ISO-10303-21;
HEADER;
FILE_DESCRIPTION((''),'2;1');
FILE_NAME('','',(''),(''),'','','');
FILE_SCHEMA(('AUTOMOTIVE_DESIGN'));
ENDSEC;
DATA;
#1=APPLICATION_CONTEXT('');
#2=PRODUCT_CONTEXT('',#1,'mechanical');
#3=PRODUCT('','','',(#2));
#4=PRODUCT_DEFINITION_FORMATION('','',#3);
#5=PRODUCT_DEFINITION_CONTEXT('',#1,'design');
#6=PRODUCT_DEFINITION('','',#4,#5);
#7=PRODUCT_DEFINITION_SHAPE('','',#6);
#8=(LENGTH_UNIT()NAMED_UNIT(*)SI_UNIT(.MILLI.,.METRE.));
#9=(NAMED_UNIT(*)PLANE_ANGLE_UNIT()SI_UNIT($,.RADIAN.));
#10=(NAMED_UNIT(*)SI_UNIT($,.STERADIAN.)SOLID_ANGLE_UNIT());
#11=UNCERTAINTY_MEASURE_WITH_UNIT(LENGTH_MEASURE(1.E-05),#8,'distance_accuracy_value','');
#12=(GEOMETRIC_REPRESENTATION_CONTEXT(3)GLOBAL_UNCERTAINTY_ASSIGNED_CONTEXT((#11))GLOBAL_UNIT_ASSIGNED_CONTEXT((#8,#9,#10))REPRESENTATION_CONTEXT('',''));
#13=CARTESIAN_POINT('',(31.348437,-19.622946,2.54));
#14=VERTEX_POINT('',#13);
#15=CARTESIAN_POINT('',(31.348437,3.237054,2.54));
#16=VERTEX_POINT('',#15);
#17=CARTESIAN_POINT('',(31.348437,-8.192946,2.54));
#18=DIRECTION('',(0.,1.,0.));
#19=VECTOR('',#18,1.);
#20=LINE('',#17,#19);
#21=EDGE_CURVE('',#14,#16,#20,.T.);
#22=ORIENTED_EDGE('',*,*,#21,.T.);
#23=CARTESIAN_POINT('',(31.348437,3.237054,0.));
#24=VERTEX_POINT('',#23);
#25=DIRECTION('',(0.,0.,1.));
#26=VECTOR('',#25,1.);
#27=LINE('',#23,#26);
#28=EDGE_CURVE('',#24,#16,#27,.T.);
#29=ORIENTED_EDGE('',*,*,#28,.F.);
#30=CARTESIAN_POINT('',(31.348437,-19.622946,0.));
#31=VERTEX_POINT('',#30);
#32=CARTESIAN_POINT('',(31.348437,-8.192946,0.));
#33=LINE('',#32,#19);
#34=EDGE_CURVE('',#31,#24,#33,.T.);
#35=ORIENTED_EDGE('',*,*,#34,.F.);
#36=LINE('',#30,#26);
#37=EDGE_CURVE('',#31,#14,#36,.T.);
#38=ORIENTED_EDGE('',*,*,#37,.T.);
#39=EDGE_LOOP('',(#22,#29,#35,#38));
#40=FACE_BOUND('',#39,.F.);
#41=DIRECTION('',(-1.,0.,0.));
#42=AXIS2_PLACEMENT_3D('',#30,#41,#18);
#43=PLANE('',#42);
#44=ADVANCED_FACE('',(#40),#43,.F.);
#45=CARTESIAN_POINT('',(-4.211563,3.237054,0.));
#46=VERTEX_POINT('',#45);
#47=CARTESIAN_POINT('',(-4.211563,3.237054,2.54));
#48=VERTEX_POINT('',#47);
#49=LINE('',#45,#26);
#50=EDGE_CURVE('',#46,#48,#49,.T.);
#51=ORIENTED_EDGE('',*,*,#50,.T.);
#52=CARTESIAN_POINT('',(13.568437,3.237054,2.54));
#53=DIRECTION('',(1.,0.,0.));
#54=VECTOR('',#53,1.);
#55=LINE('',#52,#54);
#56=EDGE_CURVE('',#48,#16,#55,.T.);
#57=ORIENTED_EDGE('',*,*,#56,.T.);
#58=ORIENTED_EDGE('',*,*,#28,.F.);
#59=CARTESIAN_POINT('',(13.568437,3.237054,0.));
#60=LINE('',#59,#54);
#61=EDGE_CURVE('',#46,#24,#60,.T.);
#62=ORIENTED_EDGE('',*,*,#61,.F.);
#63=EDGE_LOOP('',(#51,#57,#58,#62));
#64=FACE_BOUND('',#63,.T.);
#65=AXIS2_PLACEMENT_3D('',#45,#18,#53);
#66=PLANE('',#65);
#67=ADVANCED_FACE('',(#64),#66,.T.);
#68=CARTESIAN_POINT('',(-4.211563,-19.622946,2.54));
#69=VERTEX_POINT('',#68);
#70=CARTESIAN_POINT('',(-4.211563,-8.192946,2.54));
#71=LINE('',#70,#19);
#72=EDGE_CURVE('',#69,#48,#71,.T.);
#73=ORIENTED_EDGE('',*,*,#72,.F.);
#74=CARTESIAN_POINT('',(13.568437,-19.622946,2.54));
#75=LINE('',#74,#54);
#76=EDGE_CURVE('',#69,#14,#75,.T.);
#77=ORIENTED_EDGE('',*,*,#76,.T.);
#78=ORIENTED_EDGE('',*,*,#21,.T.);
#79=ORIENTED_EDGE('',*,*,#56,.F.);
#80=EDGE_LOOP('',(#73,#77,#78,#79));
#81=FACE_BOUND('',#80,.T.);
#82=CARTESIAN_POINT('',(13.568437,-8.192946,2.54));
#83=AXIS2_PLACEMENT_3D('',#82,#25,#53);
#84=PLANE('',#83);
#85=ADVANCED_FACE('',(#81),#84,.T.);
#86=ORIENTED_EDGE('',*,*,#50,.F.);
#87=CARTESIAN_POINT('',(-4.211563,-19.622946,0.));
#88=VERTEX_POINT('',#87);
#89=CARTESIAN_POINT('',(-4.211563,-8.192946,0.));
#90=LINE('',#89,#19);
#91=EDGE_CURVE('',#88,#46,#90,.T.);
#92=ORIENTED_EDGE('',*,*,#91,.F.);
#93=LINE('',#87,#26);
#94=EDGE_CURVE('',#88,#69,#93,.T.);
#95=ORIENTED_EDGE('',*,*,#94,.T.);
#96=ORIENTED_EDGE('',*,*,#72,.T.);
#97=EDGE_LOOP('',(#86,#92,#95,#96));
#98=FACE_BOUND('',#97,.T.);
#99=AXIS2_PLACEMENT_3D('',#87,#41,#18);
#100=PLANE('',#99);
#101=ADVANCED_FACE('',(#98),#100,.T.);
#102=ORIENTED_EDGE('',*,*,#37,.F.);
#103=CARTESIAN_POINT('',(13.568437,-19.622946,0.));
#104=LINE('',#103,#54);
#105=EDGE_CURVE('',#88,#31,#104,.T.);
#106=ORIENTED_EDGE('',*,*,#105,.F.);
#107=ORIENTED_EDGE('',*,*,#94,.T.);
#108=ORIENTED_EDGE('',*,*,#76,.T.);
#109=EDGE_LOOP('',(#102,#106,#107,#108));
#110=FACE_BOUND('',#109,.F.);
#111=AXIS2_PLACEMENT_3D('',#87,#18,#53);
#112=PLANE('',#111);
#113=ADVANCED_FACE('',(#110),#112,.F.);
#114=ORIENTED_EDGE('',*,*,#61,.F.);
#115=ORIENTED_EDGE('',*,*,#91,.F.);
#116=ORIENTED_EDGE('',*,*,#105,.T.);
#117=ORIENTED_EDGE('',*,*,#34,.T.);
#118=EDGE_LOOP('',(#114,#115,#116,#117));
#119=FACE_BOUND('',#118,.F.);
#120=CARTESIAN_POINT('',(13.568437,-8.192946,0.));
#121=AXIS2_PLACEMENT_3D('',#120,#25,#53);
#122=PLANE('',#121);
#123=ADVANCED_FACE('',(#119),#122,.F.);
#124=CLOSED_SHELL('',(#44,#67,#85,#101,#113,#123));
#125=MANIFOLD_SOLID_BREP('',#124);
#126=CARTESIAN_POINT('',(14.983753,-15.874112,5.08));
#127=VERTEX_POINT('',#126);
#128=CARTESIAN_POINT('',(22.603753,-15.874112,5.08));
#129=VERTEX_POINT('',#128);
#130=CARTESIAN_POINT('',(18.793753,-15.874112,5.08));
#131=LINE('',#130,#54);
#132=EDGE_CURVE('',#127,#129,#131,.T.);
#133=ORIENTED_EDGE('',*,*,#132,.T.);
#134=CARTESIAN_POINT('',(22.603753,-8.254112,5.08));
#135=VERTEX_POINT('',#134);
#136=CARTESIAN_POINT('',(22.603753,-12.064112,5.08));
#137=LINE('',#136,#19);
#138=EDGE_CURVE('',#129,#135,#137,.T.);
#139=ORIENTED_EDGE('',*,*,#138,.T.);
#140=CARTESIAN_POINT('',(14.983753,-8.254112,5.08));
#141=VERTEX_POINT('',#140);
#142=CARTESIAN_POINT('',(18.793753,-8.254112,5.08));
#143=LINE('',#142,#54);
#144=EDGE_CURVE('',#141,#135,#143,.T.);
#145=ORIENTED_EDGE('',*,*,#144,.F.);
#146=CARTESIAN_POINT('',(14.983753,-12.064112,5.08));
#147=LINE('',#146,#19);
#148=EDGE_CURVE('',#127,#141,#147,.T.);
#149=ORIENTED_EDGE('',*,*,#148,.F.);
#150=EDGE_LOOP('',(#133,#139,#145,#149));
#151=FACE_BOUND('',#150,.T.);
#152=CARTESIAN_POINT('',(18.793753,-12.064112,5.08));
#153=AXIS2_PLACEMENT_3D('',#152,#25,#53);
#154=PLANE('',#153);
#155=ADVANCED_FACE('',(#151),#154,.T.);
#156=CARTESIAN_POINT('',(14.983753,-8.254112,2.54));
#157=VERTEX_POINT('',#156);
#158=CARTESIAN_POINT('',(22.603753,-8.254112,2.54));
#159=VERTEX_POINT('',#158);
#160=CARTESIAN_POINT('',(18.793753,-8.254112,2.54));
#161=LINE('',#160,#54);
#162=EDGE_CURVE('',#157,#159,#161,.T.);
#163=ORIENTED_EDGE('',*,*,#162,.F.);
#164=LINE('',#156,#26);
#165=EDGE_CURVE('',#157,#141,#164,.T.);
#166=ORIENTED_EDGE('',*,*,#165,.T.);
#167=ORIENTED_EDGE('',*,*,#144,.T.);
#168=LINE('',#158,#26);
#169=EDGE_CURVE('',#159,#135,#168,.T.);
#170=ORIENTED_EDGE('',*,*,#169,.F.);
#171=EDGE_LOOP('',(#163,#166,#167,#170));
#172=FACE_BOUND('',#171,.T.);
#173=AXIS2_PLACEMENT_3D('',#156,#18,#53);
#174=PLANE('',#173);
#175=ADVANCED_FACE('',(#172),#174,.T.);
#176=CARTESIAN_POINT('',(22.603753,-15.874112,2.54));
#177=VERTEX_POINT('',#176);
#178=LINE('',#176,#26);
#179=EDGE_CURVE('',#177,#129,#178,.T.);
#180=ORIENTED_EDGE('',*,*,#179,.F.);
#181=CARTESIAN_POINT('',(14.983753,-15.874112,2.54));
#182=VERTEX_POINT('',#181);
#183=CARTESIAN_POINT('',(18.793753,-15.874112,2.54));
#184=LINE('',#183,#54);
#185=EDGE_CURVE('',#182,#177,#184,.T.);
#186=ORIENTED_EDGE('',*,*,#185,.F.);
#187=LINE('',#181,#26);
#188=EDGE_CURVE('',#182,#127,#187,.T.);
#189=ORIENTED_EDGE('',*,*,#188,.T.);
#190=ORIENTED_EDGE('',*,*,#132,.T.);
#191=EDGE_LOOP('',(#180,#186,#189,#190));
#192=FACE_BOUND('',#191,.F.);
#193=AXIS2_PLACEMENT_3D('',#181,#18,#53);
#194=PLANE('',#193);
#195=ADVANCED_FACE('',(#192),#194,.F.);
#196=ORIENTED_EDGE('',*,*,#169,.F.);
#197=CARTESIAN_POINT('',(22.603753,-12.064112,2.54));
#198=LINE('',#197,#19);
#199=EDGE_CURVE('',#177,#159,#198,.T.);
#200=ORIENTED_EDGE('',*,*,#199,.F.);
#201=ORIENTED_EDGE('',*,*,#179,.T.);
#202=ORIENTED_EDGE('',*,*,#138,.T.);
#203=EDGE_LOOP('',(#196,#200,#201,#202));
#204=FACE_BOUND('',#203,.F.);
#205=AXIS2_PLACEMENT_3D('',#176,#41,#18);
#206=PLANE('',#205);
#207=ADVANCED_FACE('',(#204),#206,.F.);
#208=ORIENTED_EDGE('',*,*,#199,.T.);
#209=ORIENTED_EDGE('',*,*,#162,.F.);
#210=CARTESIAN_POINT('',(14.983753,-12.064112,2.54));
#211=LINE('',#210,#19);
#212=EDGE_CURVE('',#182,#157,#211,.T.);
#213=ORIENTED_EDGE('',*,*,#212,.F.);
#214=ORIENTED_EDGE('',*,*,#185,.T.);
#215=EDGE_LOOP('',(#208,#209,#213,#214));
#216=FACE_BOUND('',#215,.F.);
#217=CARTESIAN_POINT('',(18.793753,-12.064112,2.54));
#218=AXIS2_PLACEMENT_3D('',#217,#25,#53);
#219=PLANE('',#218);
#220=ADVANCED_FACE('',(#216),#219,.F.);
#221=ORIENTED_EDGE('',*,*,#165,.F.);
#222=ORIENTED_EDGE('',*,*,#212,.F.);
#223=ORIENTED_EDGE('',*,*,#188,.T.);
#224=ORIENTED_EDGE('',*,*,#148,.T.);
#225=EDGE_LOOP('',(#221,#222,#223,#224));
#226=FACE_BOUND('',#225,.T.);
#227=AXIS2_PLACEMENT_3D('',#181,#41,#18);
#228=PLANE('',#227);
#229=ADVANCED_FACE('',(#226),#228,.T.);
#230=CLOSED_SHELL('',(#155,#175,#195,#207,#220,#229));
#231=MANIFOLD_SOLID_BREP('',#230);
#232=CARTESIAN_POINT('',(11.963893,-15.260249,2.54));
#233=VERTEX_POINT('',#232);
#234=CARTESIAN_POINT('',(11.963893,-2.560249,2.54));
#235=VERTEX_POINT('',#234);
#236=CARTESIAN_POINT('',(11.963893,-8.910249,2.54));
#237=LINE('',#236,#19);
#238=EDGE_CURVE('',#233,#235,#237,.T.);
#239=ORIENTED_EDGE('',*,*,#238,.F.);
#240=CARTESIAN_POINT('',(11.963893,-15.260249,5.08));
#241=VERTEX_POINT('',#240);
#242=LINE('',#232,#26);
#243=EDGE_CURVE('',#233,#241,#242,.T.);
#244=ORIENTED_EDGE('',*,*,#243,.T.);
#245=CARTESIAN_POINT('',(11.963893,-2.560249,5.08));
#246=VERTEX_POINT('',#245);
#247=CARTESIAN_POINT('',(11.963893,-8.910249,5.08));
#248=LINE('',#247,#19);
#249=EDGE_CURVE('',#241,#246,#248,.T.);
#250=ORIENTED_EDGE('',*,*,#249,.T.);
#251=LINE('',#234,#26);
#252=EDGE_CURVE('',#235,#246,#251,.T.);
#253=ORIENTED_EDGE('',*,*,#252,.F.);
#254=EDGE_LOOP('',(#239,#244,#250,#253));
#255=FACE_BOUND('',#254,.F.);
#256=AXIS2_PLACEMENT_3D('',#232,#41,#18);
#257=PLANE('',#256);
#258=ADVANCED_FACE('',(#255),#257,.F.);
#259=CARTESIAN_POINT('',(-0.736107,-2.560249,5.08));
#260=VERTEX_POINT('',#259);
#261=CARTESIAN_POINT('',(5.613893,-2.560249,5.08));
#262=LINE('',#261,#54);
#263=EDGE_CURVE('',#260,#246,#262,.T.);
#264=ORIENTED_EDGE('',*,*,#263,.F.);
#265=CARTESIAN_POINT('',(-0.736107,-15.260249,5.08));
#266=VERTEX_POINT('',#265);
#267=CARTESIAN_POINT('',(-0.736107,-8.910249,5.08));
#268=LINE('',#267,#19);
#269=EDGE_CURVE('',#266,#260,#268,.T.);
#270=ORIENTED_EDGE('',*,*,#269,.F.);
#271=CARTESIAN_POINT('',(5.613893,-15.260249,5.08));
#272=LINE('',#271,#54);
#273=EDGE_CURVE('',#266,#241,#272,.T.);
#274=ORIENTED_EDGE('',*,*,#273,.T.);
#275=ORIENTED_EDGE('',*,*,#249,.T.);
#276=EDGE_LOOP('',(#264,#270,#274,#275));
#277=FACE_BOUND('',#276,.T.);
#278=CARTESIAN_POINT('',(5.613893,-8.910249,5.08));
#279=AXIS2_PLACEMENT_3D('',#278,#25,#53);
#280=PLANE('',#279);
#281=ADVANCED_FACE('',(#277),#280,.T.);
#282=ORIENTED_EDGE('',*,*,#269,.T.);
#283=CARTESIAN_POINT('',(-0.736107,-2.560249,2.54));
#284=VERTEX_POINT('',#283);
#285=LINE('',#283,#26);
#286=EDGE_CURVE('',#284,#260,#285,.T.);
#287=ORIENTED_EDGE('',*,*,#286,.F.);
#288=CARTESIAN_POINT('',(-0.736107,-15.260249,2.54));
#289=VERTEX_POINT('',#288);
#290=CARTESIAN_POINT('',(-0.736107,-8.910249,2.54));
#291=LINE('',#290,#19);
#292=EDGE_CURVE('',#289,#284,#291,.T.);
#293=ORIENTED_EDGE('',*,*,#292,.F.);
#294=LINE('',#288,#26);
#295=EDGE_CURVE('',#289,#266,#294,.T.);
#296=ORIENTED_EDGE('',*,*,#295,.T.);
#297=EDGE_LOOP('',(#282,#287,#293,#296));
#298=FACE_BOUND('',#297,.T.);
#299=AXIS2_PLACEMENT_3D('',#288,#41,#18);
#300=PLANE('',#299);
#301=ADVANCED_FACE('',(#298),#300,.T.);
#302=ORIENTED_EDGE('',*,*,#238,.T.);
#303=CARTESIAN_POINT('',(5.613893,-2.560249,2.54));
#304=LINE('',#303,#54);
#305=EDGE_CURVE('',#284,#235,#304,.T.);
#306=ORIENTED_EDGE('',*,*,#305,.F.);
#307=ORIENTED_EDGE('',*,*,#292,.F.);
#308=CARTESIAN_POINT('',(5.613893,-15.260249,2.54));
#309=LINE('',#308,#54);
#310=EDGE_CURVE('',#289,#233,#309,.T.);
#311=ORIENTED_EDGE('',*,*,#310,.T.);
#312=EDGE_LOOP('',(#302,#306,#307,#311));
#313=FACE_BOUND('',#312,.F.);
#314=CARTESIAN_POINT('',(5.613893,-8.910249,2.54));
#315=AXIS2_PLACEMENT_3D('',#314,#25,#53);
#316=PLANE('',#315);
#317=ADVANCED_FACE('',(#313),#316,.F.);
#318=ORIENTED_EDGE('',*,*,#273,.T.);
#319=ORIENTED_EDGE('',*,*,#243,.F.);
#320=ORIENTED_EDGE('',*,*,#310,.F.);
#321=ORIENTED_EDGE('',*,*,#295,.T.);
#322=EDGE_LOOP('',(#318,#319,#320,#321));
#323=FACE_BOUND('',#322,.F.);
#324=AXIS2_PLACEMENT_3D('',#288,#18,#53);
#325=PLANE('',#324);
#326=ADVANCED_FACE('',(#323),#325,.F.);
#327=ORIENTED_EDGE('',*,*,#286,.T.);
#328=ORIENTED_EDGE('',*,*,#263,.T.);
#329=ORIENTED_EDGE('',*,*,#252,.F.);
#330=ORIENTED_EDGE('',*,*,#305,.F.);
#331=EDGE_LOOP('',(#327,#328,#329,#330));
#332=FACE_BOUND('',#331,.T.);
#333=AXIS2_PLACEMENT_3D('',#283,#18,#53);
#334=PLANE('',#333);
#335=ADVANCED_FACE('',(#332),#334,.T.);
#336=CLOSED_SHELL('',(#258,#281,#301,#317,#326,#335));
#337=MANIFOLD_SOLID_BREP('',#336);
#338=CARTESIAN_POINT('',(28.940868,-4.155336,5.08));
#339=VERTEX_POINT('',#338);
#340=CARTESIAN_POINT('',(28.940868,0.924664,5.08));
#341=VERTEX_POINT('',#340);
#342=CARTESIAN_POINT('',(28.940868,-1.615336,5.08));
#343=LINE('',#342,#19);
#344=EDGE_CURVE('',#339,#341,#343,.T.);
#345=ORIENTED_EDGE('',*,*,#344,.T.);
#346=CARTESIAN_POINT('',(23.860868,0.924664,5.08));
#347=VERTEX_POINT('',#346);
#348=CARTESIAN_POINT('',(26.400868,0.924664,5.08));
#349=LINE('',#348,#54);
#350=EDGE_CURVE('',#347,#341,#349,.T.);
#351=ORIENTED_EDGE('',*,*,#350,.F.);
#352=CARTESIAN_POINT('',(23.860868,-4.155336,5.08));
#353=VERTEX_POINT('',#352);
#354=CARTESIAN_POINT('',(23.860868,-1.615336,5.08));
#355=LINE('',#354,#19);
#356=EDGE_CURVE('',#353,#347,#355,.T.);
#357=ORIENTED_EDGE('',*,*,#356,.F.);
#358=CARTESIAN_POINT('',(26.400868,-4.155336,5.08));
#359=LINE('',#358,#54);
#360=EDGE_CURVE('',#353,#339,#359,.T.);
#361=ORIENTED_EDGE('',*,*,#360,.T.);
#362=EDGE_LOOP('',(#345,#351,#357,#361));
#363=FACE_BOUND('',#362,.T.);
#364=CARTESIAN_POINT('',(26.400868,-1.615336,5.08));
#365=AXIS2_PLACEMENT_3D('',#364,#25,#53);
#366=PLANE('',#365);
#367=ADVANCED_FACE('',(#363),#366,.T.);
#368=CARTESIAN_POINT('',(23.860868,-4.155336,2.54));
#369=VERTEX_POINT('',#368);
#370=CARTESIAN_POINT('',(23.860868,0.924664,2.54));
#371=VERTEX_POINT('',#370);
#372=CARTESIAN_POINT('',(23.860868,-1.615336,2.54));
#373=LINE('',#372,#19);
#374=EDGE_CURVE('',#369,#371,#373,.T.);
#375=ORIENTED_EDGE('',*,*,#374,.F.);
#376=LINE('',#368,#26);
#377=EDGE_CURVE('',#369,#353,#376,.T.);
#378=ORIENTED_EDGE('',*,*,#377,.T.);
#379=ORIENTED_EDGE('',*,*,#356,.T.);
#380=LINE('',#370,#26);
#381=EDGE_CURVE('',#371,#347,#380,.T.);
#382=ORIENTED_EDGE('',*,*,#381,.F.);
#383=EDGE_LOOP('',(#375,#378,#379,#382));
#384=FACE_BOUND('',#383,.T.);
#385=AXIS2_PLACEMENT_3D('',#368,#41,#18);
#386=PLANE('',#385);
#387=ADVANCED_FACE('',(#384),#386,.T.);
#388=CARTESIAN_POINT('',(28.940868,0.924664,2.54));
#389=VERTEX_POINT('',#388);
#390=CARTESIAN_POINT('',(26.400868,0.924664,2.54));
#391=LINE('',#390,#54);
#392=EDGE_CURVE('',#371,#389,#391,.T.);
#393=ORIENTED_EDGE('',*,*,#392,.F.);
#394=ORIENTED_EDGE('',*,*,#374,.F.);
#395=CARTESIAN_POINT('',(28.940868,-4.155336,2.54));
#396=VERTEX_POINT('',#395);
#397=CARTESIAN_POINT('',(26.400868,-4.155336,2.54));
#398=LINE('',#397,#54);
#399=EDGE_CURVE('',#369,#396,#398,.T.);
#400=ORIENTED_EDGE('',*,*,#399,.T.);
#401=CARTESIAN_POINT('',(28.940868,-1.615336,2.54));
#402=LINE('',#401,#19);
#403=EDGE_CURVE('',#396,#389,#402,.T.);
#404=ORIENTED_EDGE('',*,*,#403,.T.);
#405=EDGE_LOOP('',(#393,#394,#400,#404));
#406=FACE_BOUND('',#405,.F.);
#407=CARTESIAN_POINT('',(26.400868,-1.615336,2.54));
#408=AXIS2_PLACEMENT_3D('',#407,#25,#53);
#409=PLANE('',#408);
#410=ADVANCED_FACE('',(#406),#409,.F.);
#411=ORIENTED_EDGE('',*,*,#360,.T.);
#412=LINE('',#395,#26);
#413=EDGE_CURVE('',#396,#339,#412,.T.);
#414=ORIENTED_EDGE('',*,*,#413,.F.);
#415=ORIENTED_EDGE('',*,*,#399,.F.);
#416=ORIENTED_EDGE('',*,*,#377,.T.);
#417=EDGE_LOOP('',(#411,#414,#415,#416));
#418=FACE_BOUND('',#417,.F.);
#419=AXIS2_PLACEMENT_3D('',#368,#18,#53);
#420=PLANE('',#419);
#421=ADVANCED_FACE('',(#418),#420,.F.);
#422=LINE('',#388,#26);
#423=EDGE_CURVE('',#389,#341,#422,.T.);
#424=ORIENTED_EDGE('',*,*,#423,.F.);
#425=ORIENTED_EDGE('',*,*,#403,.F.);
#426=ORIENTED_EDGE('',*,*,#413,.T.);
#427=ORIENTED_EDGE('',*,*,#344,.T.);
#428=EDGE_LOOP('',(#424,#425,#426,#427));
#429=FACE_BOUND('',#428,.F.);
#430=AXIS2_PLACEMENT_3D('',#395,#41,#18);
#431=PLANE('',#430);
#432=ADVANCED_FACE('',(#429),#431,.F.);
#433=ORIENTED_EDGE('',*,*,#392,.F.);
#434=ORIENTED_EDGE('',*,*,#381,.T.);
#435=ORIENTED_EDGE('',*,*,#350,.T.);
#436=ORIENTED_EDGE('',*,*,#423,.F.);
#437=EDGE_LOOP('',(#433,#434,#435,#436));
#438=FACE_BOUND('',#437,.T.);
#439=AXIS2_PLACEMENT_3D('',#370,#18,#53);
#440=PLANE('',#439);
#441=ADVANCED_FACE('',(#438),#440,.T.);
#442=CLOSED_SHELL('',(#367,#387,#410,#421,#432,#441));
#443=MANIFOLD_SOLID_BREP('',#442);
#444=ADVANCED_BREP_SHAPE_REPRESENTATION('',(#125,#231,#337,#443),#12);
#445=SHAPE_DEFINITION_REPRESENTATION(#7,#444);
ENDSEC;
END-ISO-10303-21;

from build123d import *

# Parameters (mm, degrees)
F0_W     = 35.56
F0_H     = 22.86
F1_DEPTH = 2.54
F2_W     = 5.08
F2_H     = 5.08
F2_W_2   = 7.62
F2_H_2   = 7.62
F2_W_3   = 12.7
F2_H_3   = 12.7
F3_DEPTH = 2.54


with BuildPart() as f1:
    # F0 (on Top) → F1 (new body)
    with BuildSketch(Plane.XY):
        with Locations((13.568437, -8.192946)):
            Rectangle(F0_W, F0_H)
    extrude(amount=F1_DEPTH)


with BuildPart() as f3:
    # F2 (on face) → F3 (new body)
    with BuildSketch(Plane.XY.offset(2.54)):
        with Locations((26.400868, -1.615336)):
            Rectangle(F2_W, F2_H)
        with Locations((18.793753, -12.064112)):
            Rectangle(F2_W_2, F2_H_2)
        with Locations((5.613893, -8.910249)):
            Rectangle(F2_W_3, F2_H_3)
    extrude(amount=F3_DEPTH)


solid = Compound([f1.part, f3.part])
